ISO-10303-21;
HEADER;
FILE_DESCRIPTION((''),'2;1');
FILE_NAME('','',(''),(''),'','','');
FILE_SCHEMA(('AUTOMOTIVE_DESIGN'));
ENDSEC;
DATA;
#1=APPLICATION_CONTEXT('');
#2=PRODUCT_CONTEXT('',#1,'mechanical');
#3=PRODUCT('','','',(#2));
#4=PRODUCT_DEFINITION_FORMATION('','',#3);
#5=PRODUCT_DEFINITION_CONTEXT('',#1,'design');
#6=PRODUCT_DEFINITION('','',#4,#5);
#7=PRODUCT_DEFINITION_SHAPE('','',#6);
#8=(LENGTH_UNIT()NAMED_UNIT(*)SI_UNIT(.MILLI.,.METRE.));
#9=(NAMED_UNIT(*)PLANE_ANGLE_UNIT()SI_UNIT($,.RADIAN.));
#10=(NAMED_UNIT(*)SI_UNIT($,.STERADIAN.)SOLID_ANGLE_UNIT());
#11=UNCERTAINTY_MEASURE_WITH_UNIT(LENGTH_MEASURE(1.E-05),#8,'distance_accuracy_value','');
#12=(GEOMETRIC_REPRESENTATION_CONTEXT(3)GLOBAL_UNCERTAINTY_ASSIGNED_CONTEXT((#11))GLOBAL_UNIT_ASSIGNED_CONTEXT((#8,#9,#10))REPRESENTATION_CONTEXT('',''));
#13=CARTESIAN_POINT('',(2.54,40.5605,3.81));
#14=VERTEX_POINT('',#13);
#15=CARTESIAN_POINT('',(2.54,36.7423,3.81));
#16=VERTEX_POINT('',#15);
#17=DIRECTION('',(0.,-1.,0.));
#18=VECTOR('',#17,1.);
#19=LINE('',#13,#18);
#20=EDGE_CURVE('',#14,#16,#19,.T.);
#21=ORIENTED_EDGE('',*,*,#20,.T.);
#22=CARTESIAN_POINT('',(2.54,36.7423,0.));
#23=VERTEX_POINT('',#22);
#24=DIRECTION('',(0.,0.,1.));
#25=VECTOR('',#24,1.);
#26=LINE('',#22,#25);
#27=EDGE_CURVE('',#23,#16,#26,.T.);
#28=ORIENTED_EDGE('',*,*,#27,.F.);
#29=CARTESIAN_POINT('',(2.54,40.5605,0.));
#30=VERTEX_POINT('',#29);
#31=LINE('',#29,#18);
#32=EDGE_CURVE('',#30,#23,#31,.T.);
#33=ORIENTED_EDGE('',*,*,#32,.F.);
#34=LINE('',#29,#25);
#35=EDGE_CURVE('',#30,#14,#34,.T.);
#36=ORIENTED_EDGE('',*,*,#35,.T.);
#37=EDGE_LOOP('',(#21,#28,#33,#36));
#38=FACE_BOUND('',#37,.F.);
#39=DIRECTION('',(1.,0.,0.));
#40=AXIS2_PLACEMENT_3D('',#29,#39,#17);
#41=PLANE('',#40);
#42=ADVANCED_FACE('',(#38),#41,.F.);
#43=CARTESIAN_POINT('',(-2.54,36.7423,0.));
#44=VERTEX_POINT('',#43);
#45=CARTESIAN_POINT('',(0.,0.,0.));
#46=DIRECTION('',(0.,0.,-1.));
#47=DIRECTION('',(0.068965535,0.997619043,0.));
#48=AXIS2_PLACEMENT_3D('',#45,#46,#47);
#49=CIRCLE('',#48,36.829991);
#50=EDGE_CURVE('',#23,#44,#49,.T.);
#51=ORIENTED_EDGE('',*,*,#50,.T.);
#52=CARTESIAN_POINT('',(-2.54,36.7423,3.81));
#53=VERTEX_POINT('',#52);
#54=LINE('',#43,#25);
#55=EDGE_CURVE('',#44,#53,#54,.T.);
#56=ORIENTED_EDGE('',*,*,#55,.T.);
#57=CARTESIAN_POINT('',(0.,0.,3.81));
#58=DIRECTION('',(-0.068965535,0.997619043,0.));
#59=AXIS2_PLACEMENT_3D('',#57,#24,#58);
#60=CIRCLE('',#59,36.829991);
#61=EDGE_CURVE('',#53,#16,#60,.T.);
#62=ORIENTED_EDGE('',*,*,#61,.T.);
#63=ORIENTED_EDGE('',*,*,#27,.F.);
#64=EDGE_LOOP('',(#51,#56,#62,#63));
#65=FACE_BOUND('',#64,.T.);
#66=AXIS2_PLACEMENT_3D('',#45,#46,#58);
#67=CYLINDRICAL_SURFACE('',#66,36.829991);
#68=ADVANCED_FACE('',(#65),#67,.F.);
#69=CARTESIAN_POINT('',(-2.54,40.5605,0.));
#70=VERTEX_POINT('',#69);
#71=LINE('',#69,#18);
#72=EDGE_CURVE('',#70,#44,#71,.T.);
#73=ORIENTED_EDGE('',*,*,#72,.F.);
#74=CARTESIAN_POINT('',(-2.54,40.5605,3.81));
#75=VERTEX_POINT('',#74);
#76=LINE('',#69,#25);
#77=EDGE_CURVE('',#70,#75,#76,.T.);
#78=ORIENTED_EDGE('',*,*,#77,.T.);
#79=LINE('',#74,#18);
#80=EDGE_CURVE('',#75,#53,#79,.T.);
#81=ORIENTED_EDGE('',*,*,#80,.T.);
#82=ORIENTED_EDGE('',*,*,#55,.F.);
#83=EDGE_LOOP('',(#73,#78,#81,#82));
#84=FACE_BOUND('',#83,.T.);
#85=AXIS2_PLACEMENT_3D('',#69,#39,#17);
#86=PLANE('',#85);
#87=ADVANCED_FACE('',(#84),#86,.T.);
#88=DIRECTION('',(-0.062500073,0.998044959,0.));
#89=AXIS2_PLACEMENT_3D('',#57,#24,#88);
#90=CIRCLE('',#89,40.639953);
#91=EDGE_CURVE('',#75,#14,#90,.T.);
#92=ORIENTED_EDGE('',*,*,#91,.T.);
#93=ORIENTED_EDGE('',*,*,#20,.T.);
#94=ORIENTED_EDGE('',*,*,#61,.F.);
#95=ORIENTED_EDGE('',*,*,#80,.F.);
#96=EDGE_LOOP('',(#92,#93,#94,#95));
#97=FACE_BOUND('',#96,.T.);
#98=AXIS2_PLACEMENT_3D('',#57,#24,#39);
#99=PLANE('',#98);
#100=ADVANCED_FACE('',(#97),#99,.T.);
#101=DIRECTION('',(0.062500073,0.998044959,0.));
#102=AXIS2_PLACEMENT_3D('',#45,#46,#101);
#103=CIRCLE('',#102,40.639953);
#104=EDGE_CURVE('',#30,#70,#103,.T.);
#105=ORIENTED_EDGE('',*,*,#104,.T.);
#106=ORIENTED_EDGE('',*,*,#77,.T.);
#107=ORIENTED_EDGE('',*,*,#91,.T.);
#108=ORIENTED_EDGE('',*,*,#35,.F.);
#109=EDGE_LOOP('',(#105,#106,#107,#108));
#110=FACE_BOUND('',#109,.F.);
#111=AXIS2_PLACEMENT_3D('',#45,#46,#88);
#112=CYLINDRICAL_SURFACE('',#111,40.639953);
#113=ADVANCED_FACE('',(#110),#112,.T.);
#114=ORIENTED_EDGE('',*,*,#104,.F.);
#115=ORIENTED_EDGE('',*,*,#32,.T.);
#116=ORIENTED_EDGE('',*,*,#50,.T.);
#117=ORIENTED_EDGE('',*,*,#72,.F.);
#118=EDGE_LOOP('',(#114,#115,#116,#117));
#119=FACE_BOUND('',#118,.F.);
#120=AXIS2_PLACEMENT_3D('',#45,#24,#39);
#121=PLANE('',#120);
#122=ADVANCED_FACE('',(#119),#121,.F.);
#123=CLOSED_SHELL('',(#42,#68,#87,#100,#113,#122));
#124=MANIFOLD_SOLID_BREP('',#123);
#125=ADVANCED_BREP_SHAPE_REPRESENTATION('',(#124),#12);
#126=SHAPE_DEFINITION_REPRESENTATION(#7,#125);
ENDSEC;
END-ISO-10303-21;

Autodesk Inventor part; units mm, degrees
ref_plane "YZ Plane" through (0, 0, 0) normal (1, 0, 0) x (0, 1, 0)
ref_plane "XZ Plane" through (0, 0, 0) normal (0, 1, 0) x (-1, 0, 0)
ref_plane "XY Plane" through (0, 0, 0) normal (0, 0, 1) x (1, 0, 0)
sketch "Sketch1" plane through (0, 0, 0) normal (0, 0, 1) x (1, 0, 0)
  arc A0 (-2.54, 36.7423) -> (2.54, 36.7423) centre (0, 0) ccw
  arc A1 (-2.54, 40.5605) -> (2.54, 40.5605) centre (0, 0) ccw
  line L0 (-2.54, 40.5605) -> (-2.54, 36.7423)
  line L1 (2.54, 40.5605) -> (2.54, 36.7423)
  line L2 (0, -56.8801) -> (0, 56.8007) projected
  dimension "d0" = 73.66
  dimension "d1" = 81.28
  dimension "d2" = 5.08
extrude "Extrusion1" add sketch "Sketch1" along normal blind 3.81
equation "\"BendRadius\" = Thickness"
equation "\"BendReliefWidth\" = Thickness"
equation "\"BendReliefDepth\" = 0.5 * Thickness"
equation "\"CornerReliefSize\" = 4 * Thickness"
equation "\"MinimumRemnant\" = 2 * Thickness"
equation "\"TransitionRadius\" = BendRadius"
equation "\"JacobiRadiusSize\" = BendRadius"
equation "\"GapSize\" = Thickness"
equation "\"Thickness\" = 3.048"
properties part number "piston ring" material "Stainless Steel"
